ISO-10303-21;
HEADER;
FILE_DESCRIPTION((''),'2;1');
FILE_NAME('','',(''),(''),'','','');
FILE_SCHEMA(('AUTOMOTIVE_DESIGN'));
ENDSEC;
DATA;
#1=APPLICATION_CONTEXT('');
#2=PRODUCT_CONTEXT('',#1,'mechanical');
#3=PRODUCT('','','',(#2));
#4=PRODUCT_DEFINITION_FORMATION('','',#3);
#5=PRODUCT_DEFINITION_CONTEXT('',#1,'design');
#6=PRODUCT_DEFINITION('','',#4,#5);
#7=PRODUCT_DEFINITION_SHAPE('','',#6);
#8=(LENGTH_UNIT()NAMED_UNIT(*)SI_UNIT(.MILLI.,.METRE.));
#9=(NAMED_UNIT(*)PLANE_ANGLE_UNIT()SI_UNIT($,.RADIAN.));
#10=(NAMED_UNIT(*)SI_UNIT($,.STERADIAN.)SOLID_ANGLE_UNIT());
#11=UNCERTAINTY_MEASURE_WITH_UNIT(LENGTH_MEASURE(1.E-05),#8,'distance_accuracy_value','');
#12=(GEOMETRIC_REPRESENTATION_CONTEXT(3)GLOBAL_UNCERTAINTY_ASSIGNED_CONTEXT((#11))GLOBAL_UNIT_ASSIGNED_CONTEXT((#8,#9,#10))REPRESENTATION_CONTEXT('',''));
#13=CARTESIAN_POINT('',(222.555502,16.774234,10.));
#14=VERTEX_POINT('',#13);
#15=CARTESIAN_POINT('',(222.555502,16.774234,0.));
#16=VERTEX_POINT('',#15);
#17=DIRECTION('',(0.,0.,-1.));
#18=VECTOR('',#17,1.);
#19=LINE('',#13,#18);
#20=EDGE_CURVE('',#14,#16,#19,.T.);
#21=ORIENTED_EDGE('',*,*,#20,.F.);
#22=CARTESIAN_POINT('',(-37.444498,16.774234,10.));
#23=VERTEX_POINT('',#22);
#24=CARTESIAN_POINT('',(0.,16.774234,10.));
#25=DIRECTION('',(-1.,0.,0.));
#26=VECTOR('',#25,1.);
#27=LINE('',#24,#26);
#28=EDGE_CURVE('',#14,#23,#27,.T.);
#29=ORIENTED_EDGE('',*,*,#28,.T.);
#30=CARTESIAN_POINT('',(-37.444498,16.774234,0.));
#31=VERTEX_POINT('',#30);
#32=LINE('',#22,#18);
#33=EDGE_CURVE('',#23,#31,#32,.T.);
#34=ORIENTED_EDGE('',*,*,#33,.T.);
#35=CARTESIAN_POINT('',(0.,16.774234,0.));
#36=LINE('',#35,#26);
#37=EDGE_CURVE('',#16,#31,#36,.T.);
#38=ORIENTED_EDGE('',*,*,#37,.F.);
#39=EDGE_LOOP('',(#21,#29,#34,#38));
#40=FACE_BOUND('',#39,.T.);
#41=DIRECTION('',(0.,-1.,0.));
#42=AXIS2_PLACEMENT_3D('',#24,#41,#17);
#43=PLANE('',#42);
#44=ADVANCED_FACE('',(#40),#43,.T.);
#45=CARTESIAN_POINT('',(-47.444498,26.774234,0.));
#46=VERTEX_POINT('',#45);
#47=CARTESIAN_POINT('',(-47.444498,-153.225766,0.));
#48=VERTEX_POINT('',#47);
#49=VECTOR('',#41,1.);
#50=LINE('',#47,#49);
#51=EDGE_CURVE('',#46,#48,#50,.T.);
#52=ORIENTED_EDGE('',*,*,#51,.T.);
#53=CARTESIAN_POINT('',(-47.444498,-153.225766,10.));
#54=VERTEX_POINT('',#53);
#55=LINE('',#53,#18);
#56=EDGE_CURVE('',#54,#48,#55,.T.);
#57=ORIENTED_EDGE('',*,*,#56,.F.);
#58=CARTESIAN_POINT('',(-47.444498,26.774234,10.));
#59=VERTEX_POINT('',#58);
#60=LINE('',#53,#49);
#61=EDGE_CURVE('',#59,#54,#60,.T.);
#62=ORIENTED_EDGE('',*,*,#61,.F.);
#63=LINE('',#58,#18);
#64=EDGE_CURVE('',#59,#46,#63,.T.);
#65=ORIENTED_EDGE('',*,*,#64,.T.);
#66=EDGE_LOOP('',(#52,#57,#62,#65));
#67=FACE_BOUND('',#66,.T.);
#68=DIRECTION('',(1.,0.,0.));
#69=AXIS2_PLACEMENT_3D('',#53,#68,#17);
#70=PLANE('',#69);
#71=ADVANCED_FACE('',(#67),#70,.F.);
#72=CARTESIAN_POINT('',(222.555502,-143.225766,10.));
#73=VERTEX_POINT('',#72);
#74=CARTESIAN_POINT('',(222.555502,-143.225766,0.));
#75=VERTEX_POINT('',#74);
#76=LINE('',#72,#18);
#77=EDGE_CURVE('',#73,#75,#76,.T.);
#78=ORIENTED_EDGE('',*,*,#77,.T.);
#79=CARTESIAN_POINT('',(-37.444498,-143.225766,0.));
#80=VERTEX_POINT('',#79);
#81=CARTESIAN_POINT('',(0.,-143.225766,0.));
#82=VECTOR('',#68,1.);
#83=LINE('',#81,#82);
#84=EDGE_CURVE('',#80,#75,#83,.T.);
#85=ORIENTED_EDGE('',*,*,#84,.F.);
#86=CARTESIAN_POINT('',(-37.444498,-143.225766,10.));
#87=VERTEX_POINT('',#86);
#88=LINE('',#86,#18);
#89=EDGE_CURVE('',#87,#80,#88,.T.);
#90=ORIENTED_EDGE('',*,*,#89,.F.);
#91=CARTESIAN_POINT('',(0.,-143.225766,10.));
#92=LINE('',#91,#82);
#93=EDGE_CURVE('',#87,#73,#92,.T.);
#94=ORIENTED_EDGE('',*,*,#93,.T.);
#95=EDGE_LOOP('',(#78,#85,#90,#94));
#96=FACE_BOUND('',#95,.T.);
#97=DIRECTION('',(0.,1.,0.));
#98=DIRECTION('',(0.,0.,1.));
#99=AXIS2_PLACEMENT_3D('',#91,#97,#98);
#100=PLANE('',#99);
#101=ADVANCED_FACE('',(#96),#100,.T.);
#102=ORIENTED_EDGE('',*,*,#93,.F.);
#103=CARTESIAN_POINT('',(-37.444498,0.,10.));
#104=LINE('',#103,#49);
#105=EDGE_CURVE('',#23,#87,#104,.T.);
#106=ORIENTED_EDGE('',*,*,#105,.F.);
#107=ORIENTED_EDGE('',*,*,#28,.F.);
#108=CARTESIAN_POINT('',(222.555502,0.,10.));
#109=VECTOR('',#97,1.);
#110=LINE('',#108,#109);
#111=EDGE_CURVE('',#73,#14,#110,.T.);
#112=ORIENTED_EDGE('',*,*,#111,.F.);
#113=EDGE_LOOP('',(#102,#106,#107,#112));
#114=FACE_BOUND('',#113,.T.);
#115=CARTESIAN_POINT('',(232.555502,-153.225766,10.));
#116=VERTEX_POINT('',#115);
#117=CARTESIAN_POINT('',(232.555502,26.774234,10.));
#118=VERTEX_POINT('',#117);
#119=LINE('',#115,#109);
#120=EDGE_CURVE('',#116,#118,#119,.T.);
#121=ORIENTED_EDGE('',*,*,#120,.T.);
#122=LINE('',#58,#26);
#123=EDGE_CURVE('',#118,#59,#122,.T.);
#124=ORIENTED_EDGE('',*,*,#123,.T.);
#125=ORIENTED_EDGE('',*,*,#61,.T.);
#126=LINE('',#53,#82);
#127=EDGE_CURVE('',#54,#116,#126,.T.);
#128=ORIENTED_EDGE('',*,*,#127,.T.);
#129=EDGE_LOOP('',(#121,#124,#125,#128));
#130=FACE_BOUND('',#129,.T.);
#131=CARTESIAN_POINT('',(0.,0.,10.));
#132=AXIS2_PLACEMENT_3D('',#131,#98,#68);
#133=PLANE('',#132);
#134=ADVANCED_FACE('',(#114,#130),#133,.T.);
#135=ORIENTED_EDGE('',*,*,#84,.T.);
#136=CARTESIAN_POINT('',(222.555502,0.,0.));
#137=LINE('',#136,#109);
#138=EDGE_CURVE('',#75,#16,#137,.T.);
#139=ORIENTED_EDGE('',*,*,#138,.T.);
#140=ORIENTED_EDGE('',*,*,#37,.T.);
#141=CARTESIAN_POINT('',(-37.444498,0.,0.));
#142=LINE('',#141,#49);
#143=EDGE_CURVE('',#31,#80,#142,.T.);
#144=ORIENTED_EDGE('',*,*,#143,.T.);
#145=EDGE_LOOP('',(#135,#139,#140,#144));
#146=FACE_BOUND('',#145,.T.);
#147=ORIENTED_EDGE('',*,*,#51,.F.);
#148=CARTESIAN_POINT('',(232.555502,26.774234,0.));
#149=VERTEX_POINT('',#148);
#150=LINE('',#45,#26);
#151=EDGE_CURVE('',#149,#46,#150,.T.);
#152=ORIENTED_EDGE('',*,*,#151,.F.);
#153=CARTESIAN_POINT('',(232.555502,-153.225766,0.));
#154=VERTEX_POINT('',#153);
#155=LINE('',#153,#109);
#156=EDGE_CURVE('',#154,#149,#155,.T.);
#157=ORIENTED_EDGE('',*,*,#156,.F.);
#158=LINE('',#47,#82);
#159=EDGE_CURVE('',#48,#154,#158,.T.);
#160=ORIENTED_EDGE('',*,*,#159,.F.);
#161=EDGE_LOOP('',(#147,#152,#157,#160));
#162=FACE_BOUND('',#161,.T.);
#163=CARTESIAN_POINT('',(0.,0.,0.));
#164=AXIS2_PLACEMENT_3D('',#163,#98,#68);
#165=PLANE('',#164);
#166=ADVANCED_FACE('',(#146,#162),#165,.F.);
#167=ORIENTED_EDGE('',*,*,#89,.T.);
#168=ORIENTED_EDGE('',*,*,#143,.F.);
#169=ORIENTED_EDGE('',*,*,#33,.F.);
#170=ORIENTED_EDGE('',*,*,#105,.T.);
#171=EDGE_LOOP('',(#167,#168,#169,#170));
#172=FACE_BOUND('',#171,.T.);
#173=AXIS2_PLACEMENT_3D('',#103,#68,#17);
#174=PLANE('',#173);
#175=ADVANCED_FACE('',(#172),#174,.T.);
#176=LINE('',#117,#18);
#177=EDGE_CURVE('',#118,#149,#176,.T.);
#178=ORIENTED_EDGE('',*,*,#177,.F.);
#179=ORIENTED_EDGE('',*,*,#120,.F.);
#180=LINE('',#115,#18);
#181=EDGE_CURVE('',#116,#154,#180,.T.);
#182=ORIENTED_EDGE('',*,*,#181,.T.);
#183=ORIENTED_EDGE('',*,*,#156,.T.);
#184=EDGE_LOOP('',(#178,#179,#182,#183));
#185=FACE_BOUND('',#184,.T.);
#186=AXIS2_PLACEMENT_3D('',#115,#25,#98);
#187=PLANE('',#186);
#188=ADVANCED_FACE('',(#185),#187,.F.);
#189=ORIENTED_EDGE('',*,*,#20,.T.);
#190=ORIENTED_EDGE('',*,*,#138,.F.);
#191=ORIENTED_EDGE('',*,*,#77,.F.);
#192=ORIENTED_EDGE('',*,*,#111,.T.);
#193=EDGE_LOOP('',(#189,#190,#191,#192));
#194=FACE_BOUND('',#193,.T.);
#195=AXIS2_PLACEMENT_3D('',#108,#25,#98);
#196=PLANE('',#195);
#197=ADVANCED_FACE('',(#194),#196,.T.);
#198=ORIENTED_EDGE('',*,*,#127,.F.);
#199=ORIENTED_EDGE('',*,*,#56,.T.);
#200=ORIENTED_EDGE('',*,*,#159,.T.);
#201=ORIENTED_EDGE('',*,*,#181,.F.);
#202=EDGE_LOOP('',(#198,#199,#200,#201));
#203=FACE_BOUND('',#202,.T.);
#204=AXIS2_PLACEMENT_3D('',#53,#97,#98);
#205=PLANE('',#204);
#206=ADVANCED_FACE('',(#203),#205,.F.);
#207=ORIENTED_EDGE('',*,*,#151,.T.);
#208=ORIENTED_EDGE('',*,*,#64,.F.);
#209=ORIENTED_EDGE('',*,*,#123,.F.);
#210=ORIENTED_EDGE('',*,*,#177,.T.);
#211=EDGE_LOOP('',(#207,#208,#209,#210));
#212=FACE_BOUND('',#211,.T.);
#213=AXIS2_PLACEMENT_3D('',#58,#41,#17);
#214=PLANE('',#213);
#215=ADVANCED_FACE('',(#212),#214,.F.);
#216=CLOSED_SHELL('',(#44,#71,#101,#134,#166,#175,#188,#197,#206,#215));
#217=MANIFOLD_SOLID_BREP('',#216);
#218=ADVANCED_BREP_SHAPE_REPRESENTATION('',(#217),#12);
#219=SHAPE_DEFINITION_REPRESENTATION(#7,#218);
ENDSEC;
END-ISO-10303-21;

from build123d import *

# Parameters (mm, degrees)
SKETCH1_W           = 280
SKETCH1_H           = 180
SKETCH1_W_2         = 260
SKETCH1_H_2         = 160
EXTRUDE_THIN1_DEPTH = 10


with BuildPart() as part:
    # Sketch1 → Extrude-Thin1 (new body)
    with BuildSketch(Plane.XY):
        with Locations((92.555501679, -63.225765568)):
            Rectangle(SKETCH1_W, SKETCH1_H)
        with Locations((92.555501679, -63.225765568)):
            Rectangle(SKETCH1_W_2, SKETCH1_H_2, mode=Mode.SUBTRACT)
    extrude(amount=EXTRUDE_THIN1_DEPTH)


solid = part.part
